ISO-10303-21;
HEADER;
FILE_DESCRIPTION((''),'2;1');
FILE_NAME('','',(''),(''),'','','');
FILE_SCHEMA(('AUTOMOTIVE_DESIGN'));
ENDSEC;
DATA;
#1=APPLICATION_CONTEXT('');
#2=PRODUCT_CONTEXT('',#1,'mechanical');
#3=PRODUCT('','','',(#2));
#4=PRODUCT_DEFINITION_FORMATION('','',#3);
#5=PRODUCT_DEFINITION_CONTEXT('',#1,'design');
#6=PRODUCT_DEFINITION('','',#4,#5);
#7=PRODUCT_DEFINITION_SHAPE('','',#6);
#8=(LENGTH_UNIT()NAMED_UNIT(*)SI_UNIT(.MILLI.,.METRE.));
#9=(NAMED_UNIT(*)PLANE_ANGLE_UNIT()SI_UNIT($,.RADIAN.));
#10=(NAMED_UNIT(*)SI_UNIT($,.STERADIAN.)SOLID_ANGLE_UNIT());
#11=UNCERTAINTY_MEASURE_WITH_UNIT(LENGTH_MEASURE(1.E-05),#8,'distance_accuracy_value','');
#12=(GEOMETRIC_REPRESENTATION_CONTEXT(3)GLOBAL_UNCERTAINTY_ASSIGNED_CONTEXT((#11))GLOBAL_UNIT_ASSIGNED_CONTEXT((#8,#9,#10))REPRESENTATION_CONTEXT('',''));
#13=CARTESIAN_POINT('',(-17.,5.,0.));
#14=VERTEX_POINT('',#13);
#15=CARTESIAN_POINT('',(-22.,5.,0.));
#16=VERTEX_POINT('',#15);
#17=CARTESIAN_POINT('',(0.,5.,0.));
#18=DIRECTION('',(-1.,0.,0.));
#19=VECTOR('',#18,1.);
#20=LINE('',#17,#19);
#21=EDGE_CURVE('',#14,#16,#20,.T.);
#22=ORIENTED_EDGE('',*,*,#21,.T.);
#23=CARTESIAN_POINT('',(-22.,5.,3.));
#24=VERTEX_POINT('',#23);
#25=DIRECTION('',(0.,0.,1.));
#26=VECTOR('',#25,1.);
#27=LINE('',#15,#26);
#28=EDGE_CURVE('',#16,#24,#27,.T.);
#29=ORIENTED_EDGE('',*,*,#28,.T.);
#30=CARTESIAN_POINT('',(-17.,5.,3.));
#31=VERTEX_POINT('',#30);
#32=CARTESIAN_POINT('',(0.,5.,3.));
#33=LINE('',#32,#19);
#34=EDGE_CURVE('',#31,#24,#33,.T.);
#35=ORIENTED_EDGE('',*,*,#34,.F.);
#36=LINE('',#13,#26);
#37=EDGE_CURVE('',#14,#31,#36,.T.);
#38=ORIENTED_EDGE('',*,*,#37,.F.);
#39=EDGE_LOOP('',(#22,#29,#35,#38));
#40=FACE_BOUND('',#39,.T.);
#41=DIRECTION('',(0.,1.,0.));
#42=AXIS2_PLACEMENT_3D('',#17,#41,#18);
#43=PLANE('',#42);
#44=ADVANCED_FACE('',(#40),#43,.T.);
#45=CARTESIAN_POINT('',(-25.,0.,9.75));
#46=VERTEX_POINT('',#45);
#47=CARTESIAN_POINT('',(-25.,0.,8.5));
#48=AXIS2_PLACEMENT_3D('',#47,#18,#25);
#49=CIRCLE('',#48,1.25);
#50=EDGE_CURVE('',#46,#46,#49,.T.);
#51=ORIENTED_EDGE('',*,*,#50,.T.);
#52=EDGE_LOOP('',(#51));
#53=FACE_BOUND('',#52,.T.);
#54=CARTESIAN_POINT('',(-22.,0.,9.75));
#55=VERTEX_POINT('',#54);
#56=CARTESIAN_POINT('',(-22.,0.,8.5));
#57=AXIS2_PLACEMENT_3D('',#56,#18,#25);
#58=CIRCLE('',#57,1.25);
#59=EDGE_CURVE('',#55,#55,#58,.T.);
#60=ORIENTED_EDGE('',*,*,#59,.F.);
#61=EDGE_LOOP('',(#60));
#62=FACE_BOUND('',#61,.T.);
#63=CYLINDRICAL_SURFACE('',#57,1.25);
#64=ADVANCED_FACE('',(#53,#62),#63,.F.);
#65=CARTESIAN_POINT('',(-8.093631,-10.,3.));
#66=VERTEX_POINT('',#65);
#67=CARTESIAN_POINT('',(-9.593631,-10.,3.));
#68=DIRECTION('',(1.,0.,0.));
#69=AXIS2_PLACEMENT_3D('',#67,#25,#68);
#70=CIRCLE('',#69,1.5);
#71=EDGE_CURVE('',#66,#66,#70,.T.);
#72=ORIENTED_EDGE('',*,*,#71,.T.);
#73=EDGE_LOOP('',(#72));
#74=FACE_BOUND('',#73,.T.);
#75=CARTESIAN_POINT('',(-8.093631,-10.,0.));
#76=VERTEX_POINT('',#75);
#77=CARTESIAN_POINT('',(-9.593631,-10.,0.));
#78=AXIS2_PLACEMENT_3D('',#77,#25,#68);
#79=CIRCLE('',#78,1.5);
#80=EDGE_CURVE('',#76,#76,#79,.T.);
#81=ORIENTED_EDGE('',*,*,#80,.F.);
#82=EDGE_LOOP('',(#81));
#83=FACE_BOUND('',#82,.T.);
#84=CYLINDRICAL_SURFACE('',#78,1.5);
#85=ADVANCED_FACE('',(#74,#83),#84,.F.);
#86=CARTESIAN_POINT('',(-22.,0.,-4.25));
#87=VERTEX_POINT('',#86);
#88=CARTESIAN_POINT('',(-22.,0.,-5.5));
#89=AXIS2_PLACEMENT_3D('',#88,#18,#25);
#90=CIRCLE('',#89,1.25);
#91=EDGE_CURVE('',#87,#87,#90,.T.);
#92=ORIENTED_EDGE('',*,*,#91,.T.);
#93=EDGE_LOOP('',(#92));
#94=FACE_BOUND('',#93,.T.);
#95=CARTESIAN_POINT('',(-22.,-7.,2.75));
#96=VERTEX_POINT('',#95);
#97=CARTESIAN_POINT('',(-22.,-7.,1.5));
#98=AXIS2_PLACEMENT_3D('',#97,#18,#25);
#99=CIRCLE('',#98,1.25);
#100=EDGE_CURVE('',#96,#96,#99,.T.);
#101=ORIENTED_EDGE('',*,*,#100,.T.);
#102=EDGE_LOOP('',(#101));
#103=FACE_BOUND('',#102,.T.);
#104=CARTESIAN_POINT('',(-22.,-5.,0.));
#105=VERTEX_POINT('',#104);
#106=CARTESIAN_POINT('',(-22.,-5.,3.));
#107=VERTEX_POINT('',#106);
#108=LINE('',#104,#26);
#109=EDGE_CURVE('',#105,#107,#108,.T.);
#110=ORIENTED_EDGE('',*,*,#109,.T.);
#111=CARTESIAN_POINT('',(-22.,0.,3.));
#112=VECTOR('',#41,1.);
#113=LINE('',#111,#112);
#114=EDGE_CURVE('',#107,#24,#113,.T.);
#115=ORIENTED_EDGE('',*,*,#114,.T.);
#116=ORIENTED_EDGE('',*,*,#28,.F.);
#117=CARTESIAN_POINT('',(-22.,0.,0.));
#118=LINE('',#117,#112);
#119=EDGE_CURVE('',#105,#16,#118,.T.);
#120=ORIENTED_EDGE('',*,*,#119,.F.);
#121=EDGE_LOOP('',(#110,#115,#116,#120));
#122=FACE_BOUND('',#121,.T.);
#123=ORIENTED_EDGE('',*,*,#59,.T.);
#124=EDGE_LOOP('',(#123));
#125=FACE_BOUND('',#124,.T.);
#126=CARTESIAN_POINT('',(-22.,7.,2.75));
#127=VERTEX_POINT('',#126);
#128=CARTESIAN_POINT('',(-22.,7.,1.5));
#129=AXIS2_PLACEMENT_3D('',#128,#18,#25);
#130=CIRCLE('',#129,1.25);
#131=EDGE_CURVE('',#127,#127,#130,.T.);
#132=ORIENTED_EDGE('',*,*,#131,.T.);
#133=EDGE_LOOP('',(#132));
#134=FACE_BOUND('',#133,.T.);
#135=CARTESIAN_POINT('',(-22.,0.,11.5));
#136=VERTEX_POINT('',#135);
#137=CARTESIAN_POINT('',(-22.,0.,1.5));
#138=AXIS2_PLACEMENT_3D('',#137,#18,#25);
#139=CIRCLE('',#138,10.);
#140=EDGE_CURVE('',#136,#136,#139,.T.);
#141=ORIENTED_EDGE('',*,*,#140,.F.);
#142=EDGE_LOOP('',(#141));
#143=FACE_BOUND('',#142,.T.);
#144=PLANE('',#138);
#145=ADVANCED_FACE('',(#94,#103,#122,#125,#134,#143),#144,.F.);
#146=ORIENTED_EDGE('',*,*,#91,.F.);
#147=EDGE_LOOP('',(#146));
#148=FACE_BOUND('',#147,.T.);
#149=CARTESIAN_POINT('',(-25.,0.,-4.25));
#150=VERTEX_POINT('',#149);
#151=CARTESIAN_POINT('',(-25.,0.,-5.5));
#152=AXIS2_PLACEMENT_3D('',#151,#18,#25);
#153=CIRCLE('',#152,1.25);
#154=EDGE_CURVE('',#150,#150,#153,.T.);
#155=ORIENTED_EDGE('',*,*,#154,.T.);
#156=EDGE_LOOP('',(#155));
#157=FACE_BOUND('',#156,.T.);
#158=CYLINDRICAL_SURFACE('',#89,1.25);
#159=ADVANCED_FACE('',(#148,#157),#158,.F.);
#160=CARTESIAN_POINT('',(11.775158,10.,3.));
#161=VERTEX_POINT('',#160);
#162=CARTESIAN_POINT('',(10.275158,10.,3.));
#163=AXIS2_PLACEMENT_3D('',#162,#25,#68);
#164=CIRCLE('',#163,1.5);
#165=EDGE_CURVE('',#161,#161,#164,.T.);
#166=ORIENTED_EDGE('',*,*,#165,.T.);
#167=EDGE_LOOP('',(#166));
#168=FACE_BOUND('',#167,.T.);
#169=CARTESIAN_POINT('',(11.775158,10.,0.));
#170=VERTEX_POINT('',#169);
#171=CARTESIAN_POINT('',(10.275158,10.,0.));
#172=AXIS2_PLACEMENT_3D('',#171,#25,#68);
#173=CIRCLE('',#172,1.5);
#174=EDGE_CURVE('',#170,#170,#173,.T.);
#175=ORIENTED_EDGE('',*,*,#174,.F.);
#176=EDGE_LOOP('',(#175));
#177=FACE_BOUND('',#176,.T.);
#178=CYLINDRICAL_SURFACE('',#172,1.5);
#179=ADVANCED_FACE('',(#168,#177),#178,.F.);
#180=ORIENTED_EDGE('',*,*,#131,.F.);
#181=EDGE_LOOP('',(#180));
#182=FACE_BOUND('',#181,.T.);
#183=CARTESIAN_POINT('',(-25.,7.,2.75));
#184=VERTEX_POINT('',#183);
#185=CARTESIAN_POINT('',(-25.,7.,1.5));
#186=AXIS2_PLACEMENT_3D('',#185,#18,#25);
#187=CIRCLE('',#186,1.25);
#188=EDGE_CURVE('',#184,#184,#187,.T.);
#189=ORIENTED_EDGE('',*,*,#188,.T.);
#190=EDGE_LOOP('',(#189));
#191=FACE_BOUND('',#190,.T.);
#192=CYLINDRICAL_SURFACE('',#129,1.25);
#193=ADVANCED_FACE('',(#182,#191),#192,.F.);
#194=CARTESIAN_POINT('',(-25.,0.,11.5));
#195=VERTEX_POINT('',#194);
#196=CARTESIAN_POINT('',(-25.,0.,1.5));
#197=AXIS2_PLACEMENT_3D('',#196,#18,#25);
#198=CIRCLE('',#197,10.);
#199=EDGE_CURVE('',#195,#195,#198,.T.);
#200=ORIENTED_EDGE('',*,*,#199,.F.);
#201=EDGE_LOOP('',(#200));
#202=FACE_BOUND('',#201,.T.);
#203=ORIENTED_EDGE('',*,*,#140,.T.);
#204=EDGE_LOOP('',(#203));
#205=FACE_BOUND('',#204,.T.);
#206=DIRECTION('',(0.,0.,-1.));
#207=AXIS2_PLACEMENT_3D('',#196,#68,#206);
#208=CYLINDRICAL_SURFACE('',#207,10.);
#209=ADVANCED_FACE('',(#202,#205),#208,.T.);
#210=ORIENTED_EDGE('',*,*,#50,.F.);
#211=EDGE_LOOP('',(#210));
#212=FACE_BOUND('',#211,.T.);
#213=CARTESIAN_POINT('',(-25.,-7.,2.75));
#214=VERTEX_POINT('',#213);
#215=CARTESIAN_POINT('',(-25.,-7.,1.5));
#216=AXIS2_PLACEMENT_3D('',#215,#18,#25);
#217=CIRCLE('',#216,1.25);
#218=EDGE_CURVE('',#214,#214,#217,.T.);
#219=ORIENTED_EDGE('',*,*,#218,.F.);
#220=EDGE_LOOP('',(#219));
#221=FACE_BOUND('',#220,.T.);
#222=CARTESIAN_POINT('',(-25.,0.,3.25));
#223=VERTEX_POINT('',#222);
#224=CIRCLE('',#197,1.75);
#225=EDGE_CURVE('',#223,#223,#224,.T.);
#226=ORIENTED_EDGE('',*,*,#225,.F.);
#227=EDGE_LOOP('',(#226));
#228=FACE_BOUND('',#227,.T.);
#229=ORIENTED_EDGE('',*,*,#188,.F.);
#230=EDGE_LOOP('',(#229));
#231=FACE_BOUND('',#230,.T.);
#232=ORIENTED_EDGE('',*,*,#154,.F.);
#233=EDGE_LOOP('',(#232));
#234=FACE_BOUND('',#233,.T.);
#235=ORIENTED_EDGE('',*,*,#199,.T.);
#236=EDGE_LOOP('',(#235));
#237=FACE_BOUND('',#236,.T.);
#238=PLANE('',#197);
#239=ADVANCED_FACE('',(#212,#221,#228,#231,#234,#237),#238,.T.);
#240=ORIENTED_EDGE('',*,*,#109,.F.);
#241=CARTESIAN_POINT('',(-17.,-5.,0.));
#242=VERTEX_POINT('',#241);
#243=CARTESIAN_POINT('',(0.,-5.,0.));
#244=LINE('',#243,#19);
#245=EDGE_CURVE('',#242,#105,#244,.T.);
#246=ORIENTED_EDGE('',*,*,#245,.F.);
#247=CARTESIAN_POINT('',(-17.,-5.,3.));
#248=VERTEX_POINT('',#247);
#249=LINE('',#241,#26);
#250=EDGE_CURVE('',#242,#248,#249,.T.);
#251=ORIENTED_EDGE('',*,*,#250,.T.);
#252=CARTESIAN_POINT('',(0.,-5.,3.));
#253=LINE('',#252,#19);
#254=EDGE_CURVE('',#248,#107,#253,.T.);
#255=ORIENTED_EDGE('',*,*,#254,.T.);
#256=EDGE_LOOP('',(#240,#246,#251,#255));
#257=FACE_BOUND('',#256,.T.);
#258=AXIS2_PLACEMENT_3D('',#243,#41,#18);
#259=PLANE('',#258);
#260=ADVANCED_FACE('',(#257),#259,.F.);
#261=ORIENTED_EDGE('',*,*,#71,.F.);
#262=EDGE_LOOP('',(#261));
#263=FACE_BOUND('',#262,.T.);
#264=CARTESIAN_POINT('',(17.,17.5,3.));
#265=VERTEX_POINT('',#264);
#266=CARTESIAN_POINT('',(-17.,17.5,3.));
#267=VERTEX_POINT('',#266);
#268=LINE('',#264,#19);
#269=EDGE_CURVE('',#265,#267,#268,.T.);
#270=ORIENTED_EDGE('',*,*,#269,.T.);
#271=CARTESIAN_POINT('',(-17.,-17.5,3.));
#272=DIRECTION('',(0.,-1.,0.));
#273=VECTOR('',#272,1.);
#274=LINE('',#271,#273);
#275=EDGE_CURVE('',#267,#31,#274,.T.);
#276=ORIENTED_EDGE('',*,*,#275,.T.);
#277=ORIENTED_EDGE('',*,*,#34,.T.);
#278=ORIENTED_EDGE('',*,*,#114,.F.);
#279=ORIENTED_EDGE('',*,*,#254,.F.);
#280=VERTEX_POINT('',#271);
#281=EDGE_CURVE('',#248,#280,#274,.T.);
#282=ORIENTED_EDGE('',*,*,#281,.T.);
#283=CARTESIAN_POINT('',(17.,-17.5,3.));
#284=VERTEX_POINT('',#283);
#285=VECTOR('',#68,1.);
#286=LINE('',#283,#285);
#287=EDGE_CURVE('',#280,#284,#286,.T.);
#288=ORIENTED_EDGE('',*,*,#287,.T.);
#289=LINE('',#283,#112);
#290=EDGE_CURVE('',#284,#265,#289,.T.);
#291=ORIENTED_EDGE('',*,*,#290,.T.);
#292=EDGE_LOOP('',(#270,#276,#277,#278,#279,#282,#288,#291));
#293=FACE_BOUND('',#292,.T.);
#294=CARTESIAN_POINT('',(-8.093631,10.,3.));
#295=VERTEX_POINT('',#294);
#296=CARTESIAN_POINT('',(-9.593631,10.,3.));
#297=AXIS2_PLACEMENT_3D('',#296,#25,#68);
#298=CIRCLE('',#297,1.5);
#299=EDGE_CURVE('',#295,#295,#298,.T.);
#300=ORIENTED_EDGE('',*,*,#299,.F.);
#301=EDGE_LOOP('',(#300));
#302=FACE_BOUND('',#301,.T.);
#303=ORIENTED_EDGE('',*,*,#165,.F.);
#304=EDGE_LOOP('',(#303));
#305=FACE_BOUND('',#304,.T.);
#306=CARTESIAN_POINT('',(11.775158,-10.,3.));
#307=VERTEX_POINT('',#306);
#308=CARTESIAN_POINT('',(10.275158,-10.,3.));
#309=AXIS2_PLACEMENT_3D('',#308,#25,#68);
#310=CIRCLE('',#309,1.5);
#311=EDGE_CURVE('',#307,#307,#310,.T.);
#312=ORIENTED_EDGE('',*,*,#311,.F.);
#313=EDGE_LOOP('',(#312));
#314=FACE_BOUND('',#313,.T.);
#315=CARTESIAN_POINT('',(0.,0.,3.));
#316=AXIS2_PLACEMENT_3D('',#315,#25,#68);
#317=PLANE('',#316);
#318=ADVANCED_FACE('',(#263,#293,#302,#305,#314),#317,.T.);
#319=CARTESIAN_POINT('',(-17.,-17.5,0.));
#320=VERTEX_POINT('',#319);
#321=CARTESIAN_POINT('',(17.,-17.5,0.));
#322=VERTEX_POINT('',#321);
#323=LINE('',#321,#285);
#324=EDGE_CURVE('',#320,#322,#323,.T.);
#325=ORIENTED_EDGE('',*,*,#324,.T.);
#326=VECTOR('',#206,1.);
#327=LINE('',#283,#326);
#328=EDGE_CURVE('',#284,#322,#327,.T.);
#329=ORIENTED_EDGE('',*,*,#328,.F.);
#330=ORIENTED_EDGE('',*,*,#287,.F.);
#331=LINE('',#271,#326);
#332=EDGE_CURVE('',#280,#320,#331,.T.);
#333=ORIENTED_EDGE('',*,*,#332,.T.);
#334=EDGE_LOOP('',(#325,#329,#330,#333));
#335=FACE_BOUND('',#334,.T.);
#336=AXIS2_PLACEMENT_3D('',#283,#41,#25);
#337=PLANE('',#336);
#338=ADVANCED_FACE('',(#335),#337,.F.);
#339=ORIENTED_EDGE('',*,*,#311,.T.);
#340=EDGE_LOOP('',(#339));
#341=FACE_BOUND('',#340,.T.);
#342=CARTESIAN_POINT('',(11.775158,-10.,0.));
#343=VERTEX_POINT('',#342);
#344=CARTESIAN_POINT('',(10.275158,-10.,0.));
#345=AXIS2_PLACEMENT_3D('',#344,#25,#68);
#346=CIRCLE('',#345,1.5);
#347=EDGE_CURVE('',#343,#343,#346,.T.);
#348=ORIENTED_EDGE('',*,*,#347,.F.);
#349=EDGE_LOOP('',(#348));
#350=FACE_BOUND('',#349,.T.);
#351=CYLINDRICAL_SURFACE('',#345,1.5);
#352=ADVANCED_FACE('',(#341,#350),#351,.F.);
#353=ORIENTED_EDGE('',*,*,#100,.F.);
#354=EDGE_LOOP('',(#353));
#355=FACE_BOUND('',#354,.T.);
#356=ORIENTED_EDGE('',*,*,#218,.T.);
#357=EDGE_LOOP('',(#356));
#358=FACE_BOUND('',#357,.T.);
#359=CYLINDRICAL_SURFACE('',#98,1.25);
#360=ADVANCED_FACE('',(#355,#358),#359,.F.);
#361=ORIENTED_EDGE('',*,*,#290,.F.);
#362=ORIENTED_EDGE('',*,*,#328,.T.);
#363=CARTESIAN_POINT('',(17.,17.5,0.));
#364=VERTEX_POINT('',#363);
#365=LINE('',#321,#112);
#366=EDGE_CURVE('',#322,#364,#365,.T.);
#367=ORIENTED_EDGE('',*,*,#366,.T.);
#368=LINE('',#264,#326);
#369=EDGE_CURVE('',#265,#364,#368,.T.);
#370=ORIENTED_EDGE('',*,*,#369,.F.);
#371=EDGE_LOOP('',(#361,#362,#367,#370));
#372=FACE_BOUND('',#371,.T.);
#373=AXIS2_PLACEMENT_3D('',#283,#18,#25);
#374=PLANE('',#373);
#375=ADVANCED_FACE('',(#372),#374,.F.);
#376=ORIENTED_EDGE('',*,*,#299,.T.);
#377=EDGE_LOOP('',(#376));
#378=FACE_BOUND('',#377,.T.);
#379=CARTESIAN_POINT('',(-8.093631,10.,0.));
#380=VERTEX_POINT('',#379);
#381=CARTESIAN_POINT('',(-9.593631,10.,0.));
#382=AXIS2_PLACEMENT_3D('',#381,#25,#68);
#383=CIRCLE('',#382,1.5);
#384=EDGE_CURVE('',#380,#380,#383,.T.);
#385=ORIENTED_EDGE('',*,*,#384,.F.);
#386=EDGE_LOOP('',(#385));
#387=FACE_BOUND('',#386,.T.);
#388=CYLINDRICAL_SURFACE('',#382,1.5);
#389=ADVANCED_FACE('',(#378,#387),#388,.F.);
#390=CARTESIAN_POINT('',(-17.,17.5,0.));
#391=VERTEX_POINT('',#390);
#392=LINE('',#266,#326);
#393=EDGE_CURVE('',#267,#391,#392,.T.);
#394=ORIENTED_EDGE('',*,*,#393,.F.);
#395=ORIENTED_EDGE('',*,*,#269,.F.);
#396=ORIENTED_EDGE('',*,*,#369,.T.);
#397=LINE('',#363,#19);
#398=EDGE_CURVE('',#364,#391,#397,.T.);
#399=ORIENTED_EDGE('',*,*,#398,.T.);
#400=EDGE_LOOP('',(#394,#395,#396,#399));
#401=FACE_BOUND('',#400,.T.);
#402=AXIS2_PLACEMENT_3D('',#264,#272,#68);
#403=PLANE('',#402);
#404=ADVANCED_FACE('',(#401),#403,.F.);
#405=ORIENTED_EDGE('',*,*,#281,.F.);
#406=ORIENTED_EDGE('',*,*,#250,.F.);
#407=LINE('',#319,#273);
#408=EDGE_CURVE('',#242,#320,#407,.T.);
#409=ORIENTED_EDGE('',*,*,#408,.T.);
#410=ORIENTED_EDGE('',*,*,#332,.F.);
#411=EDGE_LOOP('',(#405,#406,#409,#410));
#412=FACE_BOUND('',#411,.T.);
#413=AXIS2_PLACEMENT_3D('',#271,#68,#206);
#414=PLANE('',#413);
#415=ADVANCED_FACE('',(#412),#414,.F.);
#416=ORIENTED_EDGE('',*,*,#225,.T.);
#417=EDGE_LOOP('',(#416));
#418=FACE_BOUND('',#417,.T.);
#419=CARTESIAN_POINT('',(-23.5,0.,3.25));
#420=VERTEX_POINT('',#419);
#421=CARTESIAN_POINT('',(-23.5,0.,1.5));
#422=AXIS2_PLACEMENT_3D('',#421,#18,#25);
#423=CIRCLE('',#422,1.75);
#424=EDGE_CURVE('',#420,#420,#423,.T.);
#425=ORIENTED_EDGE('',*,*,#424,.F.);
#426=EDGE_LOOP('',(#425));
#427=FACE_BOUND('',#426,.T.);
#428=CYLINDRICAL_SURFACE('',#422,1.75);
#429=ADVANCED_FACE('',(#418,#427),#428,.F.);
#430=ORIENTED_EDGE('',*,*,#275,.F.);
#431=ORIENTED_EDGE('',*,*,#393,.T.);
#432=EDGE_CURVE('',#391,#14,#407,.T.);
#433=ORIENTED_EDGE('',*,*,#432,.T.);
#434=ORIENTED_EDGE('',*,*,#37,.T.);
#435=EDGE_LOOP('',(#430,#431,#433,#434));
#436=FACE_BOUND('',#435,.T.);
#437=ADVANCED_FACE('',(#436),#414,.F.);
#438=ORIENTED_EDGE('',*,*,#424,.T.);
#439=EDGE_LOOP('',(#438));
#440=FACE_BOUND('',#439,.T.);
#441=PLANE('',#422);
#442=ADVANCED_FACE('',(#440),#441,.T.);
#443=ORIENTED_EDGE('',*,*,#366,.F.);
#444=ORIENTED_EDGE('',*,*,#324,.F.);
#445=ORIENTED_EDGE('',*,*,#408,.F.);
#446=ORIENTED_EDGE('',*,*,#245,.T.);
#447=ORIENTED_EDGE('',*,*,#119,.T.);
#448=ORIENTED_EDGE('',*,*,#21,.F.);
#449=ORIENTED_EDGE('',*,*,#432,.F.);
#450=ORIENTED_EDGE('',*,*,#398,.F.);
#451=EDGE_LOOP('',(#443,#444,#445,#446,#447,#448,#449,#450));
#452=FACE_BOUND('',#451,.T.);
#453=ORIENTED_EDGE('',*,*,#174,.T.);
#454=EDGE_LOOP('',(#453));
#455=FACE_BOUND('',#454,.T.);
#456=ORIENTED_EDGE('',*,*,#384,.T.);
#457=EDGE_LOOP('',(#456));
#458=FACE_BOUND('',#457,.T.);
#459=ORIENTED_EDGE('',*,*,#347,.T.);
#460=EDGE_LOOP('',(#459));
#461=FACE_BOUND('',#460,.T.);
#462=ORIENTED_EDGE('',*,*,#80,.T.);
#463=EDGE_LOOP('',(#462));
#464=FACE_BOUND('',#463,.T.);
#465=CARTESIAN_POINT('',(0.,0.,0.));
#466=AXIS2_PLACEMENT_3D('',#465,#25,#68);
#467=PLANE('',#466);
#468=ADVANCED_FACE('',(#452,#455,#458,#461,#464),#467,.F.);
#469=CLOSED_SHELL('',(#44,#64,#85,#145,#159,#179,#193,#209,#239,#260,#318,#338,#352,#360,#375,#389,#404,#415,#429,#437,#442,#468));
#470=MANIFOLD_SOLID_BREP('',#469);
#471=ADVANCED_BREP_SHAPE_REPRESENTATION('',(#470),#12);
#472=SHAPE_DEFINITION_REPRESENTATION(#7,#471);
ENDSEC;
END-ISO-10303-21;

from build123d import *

# Parameters (mm, degrees)
SKETCH_1_W          = 34
SKETCH_1_H          = 35
EXTRUDE_1_DEPTH     = 3
SKETCH_2_W          = 5
SKETCH_2_H          = 5
EXTRUDE_2_DEPTH     = 3
SKETCH_3_R          = 10
EXTRUDE_3_DEPTH     = 3
SKETCH_4_R          = 1.25
CUT_EXTRUDE_1_DEPTH = 3
SKETCH_6_R          = 1.75
CUT_EXTRUDE_6_DEPTH = 1.5
SKETCH_7_R          = 1.5
CUT_EXTRUDE_7_DEPTH = 3


with BuildPart() as part:
    # 草图1 → 凸台-拉伸1 (new body)
    with BuildSketch(Plane.XY):
        Rectangle(SKETCH_1_W, SKETCH_1_H)
    extrude(amount=EXTRUDE_1_DEPTH)

    # 草图2 → 凸台-拉伸2 (add)
    with BuildSketch(Plane.XY.offset(3)):
        with Locations((-19.5, 2.5)):
            Rectangle(SKETCH_2_W, SKETCH_2_H)
        with Locations((-19.5, -2.5)):
            Rectangle(SKETCH_2_W, SKETCH_2_H)
    extrude(amount=-EXTRUDE_2_DEPTH)

    # 草图3 → 凸台-拉伸3 (add)
    with BuildSketch(Plane.ZY.offset(22)):
        with Locations((1.5, 0)):
            Circle(SKETCH_3_R)
    extrude(amount=EXTRUDE_3_DEPTH)

    # 草图4 → 切除-拉伸1 (cut)
    with BuildSketch(Plane.ZY.offset(25)):
        with Locations((1.5, 7)):
            Circle(SKETCH_4_R)
        with Locations((8.5, 0)):
            Circle(SKETCH_4_R)
        with Locations((1.5, -7)):
            Circle(SKETCH_4_R)
        with Locations((-5.5, 0)):
            Circle(SKETCH_4_R)
    extrude(amount=-CUT_EXTRUDE_1_DEPTH, mode=Mode.SUBTRACT)

    # 草图6 → 切除-拉伸6 (cut)
    with BuildSketch(Plane.ZY.offset(25)):
        with Locations((1.5, 0)):
            Circle(SKETCH_6_R)
    extrude(amount=-CUT_EXTRUDE_6_DEPTH, mode=Mode.SUBTRACT)

    # 草图7 → 切除-拉伸7 (cut)
    with BuildSketch(Plane.XY.offset(3)):
        with Locations((10.27515824, 10)):
            Circle(SKETCH_7_R)
        with Locations((10.27515824, -10)):
            Circle(SKETCH_7_R)
        with Locations((-9.593631375, 10)):
            Circle(SKETCH_7_R)
        with Locations((-9.593631375, -10)):
            Circle(SKETCH_7_R)
    extrude(amount=-CUT_EXTRUDE_7_DEPTH, mode=Mode.SUBTRACT)


solid = part.part
